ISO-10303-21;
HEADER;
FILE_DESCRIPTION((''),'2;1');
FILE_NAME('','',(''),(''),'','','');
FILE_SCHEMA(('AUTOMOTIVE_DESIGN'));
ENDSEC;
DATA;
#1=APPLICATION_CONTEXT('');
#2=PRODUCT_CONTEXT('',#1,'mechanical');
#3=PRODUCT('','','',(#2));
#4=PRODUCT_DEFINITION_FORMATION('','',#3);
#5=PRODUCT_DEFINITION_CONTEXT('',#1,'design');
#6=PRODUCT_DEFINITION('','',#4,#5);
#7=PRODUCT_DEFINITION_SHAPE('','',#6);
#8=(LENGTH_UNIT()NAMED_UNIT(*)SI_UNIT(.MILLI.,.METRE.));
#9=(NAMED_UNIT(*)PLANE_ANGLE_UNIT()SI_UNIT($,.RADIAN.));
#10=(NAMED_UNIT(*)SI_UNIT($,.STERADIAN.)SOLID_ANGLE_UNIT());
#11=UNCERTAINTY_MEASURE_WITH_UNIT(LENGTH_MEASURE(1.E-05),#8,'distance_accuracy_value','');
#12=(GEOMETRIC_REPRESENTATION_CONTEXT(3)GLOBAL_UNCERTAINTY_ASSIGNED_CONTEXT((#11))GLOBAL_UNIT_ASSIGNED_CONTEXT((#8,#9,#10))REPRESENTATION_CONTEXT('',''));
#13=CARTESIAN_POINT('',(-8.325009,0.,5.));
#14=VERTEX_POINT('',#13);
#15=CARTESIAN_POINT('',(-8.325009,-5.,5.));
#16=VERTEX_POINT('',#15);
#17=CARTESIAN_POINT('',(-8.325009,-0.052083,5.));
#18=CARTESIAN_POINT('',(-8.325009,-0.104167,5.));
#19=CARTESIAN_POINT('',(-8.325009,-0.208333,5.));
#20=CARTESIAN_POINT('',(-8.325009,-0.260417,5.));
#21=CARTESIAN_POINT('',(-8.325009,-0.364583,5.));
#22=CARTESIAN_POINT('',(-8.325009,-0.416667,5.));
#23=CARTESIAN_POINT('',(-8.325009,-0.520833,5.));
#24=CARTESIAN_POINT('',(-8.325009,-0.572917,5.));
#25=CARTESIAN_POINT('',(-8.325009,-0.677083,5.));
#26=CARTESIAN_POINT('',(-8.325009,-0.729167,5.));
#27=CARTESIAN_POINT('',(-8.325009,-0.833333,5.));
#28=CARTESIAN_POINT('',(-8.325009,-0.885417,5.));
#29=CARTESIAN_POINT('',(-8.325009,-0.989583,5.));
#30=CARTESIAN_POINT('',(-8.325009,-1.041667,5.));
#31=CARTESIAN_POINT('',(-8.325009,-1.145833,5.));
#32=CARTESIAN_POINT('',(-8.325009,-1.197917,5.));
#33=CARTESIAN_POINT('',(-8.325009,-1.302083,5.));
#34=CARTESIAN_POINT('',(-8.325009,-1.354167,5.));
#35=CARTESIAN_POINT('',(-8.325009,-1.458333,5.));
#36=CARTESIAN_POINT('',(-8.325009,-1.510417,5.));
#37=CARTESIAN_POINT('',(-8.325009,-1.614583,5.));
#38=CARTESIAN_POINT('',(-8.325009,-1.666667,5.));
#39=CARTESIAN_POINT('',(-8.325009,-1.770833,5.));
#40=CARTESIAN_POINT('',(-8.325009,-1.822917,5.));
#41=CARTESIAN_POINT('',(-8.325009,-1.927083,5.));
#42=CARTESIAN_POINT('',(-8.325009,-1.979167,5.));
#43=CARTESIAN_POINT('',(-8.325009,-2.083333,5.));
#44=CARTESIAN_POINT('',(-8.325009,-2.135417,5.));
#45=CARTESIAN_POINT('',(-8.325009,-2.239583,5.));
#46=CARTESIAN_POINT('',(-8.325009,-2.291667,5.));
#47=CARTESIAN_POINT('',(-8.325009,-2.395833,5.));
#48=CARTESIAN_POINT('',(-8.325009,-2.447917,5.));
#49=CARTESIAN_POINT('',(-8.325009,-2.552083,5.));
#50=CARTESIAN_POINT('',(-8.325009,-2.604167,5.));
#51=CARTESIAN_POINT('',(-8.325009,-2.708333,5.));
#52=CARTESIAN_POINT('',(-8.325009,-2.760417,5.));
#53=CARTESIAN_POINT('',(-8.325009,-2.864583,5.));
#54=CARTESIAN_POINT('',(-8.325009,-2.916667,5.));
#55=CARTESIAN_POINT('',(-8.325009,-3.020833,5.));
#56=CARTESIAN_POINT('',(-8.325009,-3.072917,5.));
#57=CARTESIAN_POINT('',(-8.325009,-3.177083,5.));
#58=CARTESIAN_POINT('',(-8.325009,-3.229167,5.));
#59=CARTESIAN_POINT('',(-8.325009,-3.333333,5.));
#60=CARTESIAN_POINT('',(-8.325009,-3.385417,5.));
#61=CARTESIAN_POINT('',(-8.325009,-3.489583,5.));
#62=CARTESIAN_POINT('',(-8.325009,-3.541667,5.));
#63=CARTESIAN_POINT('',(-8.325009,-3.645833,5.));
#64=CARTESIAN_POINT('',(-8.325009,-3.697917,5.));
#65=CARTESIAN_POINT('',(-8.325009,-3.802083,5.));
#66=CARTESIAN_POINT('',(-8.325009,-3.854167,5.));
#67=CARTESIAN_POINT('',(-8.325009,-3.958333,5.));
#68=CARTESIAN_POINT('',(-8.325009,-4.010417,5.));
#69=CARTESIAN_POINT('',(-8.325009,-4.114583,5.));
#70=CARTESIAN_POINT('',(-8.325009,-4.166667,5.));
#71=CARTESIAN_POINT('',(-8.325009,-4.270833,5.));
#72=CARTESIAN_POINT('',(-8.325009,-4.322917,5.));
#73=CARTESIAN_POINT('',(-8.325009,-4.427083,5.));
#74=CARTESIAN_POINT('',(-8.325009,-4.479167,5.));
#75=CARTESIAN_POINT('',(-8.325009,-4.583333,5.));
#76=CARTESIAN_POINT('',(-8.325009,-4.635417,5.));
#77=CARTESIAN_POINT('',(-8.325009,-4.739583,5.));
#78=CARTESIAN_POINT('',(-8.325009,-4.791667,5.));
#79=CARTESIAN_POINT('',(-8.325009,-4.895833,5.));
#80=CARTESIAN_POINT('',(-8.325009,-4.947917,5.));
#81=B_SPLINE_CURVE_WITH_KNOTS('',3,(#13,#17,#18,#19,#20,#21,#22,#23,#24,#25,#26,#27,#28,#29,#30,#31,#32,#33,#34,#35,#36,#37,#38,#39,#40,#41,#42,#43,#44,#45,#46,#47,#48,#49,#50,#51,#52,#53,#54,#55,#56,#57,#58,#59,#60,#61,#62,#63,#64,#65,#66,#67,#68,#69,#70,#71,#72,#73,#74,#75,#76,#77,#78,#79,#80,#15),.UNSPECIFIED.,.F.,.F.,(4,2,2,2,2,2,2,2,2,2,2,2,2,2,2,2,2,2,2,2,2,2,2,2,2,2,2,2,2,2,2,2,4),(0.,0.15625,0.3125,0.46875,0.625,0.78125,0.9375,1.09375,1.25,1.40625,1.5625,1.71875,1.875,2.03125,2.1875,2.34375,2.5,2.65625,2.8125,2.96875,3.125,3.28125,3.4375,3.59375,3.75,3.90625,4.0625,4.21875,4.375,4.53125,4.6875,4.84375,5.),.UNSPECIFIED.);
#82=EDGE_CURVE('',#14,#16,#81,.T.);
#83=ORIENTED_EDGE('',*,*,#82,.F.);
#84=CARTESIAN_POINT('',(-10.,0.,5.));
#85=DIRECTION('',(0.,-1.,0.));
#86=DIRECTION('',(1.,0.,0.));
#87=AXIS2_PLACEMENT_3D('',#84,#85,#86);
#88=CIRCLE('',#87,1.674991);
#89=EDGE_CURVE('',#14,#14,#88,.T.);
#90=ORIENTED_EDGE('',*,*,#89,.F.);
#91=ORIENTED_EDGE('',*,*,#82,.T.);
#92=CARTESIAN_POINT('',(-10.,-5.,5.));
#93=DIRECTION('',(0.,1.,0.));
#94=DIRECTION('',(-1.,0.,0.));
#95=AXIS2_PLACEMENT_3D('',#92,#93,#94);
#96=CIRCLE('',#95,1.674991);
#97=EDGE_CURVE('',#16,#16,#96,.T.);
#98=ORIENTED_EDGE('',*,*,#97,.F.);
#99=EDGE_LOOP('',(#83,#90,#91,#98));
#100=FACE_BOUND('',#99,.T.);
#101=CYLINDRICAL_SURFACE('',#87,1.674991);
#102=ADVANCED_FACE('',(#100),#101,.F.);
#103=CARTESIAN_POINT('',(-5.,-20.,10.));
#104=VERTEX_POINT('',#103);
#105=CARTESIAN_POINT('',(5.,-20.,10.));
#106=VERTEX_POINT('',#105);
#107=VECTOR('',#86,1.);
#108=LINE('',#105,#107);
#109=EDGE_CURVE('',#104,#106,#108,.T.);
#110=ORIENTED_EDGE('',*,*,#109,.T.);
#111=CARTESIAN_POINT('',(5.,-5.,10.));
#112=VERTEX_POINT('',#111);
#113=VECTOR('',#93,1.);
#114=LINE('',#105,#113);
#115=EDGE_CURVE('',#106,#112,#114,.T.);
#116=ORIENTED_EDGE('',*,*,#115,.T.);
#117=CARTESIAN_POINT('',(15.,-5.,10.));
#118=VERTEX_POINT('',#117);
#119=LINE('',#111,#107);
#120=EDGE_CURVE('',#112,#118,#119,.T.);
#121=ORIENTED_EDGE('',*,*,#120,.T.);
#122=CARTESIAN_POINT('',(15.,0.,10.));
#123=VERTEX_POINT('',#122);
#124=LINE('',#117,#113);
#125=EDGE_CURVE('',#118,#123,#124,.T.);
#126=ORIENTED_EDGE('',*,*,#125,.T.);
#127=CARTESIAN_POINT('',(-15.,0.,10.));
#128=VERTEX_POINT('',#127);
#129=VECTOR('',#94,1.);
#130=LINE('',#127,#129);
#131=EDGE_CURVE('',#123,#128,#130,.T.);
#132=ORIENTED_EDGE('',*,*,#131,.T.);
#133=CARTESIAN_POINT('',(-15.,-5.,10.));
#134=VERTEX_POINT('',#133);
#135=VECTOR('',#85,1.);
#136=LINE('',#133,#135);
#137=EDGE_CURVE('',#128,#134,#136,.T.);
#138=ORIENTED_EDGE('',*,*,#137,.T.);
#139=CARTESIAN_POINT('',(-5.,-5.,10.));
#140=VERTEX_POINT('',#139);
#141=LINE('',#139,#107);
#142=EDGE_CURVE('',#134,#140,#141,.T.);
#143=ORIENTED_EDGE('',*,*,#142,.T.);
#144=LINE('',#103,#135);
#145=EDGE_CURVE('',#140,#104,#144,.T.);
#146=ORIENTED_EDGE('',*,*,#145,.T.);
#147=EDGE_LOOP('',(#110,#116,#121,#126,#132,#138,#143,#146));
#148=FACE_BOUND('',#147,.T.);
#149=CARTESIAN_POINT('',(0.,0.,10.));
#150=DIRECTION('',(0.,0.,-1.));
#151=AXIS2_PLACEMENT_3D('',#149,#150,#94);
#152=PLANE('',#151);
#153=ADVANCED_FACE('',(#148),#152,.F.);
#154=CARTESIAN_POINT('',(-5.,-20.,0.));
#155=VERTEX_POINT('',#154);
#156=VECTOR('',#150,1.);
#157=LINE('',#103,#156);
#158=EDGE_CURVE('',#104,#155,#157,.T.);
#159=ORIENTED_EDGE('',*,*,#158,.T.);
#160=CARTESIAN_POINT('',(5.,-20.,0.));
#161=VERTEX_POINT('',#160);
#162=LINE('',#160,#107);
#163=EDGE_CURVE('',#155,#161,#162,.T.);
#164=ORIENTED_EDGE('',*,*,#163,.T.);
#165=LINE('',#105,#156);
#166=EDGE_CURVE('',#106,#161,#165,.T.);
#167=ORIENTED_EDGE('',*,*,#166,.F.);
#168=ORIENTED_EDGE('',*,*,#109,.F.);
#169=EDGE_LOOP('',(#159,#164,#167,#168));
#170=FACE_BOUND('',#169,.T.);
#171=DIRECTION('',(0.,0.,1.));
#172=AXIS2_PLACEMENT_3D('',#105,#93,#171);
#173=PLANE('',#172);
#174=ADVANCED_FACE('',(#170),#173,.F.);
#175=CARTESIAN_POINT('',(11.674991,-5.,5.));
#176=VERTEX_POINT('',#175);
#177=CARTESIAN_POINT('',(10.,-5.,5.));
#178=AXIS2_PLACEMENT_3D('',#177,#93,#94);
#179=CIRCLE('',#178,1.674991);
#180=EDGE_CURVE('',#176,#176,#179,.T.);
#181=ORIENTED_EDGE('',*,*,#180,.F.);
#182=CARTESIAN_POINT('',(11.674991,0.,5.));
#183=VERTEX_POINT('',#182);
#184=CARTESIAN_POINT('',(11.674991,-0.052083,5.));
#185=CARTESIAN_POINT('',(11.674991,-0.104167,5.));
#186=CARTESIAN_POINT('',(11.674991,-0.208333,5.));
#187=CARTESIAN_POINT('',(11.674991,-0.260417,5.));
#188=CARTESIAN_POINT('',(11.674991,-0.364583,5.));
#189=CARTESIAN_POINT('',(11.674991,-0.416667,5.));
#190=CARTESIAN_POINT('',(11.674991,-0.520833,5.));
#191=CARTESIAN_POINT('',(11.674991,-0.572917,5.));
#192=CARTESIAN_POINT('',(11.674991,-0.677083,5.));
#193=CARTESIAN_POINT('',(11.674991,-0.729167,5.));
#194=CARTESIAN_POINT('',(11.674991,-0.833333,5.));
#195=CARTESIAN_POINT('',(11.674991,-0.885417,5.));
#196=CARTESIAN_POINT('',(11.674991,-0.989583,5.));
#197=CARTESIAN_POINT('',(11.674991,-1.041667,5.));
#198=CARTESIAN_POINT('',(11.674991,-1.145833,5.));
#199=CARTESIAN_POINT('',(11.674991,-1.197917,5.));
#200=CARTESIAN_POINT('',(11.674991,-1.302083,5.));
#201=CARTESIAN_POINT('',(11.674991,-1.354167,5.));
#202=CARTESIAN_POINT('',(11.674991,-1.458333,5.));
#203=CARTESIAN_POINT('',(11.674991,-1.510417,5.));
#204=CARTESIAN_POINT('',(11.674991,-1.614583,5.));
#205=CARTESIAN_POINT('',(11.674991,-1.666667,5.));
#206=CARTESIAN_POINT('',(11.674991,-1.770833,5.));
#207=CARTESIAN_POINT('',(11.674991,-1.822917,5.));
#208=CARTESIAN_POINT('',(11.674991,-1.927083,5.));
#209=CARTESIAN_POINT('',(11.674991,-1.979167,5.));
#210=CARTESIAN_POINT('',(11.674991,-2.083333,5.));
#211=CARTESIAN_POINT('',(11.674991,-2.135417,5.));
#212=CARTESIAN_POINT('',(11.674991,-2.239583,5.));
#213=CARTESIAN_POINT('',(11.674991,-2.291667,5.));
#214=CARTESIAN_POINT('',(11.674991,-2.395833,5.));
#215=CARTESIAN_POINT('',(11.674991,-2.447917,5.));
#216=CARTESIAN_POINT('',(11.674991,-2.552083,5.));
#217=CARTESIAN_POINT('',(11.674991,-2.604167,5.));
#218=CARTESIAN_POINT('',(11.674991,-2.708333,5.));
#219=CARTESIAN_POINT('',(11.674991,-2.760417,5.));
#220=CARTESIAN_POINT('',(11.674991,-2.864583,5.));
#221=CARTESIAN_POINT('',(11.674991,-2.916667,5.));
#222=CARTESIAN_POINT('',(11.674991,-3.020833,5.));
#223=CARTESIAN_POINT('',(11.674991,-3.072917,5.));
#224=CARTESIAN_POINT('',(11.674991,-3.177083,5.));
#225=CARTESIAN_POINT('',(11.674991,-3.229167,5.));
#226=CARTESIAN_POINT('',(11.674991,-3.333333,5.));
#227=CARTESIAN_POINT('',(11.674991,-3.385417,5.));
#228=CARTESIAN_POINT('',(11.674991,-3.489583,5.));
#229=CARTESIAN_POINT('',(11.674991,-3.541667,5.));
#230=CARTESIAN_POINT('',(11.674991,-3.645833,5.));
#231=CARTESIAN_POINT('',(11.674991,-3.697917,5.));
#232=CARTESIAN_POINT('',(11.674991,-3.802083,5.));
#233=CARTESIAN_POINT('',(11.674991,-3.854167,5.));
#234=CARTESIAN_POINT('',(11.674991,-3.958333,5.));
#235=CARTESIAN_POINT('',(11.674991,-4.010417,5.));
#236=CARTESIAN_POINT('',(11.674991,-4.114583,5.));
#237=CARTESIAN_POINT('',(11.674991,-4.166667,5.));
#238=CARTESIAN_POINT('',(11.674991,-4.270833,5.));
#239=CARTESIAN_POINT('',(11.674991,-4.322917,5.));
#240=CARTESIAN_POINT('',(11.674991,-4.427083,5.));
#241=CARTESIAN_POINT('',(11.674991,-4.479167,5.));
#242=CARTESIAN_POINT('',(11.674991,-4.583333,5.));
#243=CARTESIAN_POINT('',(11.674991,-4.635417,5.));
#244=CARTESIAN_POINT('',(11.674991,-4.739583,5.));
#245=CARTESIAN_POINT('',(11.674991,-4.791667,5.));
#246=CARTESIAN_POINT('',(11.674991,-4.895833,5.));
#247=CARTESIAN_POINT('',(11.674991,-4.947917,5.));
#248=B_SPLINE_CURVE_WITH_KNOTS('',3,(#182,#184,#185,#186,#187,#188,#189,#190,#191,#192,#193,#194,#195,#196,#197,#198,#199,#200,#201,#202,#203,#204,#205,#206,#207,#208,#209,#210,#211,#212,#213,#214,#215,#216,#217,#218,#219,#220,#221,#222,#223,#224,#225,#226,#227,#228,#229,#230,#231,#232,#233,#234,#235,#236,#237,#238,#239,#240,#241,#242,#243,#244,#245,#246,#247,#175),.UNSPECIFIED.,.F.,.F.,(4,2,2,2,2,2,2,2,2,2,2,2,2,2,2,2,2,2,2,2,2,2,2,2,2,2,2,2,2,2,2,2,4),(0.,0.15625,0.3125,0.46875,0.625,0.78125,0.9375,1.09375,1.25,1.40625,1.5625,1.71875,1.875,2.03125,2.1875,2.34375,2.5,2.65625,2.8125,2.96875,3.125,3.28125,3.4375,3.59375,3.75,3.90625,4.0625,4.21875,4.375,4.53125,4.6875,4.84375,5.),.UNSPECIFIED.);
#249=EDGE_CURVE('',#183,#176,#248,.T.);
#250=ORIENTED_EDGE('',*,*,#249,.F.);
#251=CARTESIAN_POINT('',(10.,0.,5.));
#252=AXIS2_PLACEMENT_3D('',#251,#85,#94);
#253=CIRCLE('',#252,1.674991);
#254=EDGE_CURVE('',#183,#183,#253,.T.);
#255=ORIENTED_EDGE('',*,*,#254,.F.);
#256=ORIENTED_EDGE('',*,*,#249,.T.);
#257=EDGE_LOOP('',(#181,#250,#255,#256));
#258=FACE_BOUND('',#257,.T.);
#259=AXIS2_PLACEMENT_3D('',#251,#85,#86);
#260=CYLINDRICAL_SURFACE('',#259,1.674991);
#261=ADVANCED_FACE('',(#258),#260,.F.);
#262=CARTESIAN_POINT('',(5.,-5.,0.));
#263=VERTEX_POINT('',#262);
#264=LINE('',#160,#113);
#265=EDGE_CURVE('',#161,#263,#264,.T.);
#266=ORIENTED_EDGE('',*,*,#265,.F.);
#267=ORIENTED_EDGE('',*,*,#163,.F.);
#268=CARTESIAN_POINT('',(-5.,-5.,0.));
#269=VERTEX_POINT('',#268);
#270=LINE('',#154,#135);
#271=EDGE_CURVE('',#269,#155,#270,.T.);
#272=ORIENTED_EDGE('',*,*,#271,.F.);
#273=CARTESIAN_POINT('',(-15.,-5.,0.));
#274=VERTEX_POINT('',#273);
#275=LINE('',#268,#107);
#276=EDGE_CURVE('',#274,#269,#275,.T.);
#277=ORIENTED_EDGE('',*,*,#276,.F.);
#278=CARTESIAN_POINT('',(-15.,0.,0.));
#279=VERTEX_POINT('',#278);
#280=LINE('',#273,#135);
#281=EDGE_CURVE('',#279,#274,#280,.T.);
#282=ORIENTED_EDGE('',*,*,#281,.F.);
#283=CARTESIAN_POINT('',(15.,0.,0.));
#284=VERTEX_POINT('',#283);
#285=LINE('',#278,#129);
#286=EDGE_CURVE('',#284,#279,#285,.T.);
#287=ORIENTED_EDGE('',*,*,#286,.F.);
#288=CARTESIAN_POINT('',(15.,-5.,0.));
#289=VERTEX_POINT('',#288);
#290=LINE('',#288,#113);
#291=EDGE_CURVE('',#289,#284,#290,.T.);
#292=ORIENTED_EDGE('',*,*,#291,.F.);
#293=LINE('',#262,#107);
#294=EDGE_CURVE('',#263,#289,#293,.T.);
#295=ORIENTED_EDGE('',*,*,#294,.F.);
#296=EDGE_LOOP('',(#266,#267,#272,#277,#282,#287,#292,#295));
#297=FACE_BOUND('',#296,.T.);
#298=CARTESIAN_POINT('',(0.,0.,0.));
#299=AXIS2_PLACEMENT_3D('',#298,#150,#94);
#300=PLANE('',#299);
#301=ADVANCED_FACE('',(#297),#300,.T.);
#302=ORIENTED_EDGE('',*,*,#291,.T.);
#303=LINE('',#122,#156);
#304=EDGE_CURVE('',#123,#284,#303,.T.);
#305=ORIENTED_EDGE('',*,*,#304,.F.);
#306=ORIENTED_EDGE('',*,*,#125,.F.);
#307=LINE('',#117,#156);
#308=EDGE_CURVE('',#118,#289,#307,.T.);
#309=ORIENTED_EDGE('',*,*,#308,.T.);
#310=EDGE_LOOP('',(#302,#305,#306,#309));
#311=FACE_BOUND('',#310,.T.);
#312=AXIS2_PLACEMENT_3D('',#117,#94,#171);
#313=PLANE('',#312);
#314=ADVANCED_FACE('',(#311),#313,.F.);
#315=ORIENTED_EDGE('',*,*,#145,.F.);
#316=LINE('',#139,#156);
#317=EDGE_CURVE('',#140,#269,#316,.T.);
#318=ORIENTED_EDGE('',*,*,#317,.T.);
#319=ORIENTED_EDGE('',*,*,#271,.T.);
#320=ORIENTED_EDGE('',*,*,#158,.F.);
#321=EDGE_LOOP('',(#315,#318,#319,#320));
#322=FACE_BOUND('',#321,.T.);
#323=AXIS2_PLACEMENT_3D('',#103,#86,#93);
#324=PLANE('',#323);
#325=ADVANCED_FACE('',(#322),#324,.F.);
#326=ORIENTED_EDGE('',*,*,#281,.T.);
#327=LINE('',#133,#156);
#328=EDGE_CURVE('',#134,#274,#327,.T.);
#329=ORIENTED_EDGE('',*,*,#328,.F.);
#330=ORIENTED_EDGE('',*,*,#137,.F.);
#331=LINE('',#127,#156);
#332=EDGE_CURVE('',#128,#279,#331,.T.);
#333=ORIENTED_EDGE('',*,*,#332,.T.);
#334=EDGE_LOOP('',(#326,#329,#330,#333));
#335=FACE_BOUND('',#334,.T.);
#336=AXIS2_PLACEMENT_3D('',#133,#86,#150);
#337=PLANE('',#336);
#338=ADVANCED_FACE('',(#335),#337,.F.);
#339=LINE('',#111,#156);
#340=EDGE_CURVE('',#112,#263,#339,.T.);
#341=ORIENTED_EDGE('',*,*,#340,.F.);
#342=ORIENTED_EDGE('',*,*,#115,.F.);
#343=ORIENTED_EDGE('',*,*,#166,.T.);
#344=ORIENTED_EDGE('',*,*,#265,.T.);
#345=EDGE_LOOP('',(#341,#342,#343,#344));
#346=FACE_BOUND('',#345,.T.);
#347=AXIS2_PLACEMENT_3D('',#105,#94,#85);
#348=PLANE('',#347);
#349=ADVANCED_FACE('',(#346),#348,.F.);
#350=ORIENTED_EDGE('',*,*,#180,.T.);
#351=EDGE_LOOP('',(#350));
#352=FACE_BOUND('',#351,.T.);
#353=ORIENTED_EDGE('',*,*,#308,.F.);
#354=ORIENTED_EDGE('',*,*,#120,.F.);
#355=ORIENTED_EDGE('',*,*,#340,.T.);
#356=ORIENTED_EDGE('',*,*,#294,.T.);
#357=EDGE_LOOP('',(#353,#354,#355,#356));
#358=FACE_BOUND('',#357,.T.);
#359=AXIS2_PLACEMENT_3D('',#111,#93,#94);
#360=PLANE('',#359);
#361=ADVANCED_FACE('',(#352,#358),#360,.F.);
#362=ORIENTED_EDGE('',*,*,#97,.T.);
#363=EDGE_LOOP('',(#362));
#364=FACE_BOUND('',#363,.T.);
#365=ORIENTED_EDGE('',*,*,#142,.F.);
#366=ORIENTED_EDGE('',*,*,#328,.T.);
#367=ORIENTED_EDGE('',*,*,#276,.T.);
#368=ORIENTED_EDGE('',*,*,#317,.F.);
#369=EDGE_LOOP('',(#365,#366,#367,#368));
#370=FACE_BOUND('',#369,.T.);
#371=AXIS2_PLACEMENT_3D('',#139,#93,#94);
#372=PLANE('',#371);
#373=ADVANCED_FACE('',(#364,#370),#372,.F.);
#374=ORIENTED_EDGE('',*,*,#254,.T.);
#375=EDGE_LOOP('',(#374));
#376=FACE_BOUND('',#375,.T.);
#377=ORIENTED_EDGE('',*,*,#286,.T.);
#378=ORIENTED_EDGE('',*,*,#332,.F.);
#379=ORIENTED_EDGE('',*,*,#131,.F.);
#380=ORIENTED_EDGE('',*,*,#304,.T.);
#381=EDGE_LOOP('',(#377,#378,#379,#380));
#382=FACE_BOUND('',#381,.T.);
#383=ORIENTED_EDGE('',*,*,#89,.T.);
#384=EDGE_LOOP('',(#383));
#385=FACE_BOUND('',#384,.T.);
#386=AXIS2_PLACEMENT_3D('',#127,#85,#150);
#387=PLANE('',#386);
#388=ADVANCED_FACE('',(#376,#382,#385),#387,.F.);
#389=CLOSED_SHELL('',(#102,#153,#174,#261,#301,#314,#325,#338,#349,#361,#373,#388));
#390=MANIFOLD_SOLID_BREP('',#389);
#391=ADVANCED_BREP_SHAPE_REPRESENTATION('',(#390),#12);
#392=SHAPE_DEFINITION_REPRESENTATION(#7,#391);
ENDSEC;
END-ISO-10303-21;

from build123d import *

# Parameters (mm, degrees)
EXTRUDE_1_DEPTH          = 10
CUT_EXTRUDE_1_DEPTH      = 24.452078799
CUT_EXTRUDE_1_DEPTH_BACK = 24.452078799
SKETCH_2_R               = 1.674991146


with BuildPart() as part:
    # ｽｹｯﾁ1 → ﾎﾞｽ - 押し出し1 (new body)
    with BuildSketch(Plane.XY):
        Polygon((-15, 0), (15, 0), (15, -5), (5, -5), (5, -20), (-5, -20), (-5, -5), (-15, -5), align=None)
    extrude(amount=EXTRUDE_1_DEPTH)

    # ｽｹｯﾁ2 → ｶｯﾄ - 押し出し1 (cut, two sides: drawn at the far end of the back side and taken through both)
    with BuildSketch(Plane.XZ.offset(5).offset(-CUT_EXTRUDE_1_DEPTH_BACK)):
        with Locations((-10, 5)):
            Circle(SKETCH_2_R)
        with Locations((10, 5)):
            Circle(SKETCH_2_R)
    extrude(amount=CUT_EXTRUDE_1_DEPTH + CUT_EXTRUDE_1_DEPTH_BACK, mode=Mode.SUBTRACT)


solid = part.part
